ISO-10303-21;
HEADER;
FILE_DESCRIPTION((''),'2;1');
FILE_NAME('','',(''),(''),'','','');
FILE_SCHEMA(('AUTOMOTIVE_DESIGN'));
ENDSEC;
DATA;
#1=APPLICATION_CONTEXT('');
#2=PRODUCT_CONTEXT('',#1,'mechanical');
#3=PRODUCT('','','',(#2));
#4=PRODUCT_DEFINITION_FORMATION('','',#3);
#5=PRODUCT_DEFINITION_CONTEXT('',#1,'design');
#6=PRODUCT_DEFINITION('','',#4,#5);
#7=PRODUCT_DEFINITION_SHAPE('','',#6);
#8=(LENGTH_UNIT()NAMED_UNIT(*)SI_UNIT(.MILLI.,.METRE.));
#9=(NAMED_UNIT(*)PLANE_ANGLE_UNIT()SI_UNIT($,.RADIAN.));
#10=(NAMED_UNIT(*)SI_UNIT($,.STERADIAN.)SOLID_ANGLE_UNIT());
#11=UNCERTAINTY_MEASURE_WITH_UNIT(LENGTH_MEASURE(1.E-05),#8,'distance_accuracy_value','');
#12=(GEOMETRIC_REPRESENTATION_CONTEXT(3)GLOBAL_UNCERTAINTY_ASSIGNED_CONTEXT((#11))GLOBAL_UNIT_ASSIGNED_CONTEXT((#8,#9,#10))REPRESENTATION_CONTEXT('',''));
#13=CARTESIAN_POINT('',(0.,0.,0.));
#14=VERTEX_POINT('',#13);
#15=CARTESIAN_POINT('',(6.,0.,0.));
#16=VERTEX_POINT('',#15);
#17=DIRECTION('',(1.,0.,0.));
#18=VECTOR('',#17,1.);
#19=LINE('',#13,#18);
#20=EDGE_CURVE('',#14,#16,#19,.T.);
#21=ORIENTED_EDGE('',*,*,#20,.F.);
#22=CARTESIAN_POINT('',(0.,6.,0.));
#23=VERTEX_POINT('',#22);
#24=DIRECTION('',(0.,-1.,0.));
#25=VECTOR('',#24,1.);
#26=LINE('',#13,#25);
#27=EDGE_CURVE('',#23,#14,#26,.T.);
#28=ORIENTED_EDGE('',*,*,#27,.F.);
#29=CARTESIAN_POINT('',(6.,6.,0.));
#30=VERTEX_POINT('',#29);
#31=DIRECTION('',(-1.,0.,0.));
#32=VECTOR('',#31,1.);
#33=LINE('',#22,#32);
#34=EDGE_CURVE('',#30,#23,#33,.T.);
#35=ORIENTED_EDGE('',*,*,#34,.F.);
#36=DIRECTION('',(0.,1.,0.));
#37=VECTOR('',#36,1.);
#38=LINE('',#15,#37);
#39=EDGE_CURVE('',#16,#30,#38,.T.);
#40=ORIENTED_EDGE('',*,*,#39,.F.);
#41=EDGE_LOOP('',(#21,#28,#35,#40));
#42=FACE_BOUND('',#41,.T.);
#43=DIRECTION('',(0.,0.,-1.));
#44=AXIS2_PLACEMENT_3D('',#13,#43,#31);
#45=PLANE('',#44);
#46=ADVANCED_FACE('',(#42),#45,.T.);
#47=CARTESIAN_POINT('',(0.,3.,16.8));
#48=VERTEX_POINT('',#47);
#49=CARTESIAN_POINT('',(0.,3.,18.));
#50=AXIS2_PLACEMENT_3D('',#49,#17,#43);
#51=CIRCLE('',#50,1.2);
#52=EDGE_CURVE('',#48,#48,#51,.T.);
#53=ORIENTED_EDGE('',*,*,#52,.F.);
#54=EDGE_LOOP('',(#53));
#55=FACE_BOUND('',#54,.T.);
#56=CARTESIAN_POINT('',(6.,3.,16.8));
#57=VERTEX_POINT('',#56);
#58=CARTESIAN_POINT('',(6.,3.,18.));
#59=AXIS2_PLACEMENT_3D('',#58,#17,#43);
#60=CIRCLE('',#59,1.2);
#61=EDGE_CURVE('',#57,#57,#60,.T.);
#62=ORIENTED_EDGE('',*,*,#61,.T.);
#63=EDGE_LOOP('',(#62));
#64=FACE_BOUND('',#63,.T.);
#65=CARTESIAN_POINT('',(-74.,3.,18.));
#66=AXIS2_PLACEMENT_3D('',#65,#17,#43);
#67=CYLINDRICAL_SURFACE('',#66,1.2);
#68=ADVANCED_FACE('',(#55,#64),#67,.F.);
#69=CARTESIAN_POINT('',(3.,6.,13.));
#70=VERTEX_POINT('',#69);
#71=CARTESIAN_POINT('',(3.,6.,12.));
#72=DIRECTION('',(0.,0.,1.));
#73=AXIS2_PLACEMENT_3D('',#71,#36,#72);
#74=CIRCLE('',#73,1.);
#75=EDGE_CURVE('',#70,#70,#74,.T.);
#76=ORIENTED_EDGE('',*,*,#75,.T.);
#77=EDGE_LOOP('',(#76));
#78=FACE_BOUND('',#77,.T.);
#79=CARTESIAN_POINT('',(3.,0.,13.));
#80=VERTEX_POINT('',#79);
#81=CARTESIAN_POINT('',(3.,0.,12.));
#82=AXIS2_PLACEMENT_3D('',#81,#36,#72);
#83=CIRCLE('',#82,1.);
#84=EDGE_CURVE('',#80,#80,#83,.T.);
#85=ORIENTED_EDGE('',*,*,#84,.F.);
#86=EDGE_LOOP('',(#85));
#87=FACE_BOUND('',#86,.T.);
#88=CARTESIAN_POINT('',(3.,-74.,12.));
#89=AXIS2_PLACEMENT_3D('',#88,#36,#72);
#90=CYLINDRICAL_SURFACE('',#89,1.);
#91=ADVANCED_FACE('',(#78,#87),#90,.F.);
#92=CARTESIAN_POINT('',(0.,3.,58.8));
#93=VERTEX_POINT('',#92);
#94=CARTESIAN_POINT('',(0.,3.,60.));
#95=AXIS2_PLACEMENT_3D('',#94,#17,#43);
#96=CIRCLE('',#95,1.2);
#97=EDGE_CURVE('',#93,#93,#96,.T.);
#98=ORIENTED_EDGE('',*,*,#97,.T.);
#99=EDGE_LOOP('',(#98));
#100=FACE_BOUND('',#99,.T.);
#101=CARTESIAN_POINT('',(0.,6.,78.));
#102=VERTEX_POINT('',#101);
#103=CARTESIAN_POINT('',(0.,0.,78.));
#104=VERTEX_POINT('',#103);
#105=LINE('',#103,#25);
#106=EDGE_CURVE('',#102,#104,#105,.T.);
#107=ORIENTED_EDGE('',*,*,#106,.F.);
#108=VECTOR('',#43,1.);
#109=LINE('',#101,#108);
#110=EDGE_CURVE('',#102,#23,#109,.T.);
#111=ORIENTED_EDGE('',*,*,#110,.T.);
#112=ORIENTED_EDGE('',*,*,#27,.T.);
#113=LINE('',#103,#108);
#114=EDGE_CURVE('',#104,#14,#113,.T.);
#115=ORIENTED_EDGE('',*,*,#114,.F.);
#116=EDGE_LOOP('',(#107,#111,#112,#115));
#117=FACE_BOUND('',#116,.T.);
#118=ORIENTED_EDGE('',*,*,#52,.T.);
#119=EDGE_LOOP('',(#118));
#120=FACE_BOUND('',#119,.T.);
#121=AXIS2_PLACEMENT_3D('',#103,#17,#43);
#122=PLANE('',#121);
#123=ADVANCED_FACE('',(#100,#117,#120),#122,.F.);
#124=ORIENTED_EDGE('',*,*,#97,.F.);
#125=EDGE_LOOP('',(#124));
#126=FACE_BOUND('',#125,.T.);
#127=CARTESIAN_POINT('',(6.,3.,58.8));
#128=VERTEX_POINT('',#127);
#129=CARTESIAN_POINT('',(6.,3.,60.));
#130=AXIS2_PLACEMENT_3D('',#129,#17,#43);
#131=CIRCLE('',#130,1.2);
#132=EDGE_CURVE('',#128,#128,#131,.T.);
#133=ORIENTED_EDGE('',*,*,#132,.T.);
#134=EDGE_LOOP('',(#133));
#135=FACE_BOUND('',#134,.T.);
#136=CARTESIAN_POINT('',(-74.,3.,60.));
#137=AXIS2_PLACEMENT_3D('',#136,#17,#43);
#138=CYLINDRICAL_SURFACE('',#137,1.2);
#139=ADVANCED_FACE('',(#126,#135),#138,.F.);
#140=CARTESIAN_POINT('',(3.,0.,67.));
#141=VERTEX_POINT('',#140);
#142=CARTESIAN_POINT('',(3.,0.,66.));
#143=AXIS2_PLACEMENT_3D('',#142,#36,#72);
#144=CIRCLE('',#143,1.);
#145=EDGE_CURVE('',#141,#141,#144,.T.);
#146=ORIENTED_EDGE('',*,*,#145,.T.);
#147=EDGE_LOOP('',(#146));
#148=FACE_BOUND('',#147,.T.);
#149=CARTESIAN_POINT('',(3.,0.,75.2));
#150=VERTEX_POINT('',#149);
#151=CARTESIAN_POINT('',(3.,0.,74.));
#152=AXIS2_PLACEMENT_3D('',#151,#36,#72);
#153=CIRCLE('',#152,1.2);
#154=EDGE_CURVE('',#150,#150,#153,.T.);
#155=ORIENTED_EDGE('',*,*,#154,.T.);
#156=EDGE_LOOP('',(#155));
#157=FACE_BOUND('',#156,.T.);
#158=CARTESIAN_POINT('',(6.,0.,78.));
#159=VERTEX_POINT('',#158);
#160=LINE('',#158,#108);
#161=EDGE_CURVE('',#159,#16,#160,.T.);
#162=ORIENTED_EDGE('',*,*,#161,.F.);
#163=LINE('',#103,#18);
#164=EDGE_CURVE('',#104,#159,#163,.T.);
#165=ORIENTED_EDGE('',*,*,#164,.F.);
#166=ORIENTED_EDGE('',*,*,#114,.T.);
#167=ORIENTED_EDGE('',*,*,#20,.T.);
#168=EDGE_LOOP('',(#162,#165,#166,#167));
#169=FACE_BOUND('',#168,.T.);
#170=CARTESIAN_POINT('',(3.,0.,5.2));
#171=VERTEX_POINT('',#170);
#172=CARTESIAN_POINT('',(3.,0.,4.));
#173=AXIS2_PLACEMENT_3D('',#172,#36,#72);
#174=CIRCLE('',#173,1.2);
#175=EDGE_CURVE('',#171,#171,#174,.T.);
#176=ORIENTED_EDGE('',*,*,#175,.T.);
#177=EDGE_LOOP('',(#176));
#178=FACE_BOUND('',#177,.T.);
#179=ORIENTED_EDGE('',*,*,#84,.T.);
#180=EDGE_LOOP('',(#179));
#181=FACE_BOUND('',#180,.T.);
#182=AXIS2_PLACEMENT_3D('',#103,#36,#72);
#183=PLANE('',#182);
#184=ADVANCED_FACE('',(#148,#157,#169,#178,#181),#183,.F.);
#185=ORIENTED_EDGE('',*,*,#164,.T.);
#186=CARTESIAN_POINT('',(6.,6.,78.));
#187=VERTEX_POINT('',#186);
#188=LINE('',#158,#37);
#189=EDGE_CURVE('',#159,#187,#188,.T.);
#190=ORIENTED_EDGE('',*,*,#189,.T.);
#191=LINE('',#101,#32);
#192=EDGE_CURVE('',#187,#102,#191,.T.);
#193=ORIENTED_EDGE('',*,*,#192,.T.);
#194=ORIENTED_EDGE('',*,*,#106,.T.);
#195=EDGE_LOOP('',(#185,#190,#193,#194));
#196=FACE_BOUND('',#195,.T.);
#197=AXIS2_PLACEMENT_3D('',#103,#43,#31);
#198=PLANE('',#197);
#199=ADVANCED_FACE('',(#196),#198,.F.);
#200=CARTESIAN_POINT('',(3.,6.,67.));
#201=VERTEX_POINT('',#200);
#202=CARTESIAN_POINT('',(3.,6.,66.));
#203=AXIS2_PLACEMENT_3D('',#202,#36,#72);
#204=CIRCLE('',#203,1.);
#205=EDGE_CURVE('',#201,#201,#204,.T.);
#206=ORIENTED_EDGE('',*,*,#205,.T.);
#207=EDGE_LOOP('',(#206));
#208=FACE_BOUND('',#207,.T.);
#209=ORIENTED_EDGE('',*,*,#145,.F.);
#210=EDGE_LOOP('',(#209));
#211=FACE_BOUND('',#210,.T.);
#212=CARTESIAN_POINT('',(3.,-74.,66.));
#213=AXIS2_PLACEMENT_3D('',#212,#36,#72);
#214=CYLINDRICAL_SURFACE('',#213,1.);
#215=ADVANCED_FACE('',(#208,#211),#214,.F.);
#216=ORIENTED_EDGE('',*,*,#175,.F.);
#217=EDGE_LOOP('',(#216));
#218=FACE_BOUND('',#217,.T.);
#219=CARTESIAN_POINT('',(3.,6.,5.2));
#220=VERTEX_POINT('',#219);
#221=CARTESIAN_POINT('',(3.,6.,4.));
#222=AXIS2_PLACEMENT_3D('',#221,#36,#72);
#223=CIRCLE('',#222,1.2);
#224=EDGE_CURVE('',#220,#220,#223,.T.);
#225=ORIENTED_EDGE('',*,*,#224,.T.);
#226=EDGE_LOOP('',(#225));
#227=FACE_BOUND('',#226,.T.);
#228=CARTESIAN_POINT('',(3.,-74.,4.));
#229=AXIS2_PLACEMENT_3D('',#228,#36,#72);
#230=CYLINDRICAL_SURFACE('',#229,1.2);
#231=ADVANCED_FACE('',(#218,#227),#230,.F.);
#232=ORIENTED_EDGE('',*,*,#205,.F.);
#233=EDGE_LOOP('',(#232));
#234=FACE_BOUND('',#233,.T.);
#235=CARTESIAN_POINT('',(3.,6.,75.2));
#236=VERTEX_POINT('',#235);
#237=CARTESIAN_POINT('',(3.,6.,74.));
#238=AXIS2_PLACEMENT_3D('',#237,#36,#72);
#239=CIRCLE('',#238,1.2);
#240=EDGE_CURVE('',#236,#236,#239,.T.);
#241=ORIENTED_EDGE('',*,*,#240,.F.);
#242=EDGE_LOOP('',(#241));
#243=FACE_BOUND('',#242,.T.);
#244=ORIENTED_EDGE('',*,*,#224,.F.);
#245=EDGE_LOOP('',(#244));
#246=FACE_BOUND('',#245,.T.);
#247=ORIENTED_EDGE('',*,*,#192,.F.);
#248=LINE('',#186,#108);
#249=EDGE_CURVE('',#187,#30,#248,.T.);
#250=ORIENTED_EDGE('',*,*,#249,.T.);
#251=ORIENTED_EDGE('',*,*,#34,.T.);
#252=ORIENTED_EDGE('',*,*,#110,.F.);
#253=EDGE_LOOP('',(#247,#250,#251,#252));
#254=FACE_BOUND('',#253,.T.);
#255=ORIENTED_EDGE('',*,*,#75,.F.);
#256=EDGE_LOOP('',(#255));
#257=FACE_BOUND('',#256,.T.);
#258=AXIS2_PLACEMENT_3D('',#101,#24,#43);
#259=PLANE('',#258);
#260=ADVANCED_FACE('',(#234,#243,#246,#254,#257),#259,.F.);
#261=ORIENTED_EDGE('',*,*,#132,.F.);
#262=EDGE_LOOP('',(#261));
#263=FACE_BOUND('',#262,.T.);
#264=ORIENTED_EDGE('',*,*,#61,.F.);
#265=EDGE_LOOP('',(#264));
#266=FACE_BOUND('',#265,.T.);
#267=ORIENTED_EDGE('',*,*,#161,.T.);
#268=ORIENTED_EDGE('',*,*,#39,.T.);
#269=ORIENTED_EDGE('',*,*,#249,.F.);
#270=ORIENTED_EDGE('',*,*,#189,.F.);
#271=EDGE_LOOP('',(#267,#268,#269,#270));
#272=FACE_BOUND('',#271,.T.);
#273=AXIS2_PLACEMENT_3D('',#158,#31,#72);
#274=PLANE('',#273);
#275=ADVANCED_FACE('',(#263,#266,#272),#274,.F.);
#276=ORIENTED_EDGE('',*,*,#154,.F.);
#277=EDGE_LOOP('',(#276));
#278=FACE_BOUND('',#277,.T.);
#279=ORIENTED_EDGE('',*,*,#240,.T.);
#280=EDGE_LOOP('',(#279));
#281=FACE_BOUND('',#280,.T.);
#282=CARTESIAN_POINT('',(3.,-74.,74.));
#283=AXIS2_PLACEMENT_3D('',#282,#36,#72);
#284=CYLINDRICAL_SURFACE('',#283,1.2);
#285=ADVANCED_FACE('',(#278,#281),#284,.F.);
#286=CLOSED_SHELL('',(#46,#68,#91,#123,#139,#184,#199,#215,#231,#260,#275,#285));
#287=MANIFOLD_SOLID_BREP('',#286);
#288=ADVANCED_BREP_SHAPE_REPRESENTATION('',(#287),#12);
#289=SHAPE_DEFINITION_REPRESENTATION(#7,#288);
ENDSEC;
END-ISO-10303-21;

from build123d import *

# Parameters (mm, degrees)
SKETCH_1_W          = 6
SKETCH_1_H          = 6
EXTRUDE_1_DEPTH     = 78
SKETCH_2_R          = 1.2
SKETCH_2_R_2        = 1
CUT_EXTRUDE_1_DEPTH = 80
SKETCH_3_R          = 1.2
CUT_EXTRUDE_2_DEPTH = 80


with BuildPart() as part:
    # 草图1 → 凸台-拉伸1 (new body)
    with BuildSketch(Plane.XY):
        with Locations((3, 3)):
            Rectangle(SKETCH_1_W, SKETCH_1_H)
    extrude(amount=EXTRUDE_1_DEPTH)

    # 草图2 → 切除-拉伸1 (cut)
    with BuildSketch(Plane(origin=(0, 6, 0), x_dir=(1, 0, 0), z_dir=(0, 1, 0))):
        with Locations(Location((3, -74, 0), (0, 0, 270))):
            Circle(SKETCH_2_R)
        with Locations(Location((3, -4, 0), (0, 0, 270))):
            Circle(SKETCH_2_R)
        with Locations(Location((3, -12, 0), (0, 0, 270))):
            Circle(SKETCH_2_R_2)
        with Locations(Location((3, -66, 0), (0, 0, 270))):
            Circle(SKETCH_2_R_2)
    extrude(amount=-CUT_EXTRUDE_1_DEPTH, mode=Mode.SUBTRACT)

    # 草图3 → 切除-拉伸2 (cut)
    with BuildSketch(Plane(origin=(6, 0, 0), x_dir=(0, 0, -1), z_dir=(1, 0, 0))):
        with Locations((-60, 3)):
            Circle(SKETCH_3_R)
        with Locations((-18, 3)):
            Circle(SKETCH_3_R)
    extrude(amount=-CUT_EXTRUDE_2_DEPTH, mode=Mode.SUBTRACT)


solid = part.part
